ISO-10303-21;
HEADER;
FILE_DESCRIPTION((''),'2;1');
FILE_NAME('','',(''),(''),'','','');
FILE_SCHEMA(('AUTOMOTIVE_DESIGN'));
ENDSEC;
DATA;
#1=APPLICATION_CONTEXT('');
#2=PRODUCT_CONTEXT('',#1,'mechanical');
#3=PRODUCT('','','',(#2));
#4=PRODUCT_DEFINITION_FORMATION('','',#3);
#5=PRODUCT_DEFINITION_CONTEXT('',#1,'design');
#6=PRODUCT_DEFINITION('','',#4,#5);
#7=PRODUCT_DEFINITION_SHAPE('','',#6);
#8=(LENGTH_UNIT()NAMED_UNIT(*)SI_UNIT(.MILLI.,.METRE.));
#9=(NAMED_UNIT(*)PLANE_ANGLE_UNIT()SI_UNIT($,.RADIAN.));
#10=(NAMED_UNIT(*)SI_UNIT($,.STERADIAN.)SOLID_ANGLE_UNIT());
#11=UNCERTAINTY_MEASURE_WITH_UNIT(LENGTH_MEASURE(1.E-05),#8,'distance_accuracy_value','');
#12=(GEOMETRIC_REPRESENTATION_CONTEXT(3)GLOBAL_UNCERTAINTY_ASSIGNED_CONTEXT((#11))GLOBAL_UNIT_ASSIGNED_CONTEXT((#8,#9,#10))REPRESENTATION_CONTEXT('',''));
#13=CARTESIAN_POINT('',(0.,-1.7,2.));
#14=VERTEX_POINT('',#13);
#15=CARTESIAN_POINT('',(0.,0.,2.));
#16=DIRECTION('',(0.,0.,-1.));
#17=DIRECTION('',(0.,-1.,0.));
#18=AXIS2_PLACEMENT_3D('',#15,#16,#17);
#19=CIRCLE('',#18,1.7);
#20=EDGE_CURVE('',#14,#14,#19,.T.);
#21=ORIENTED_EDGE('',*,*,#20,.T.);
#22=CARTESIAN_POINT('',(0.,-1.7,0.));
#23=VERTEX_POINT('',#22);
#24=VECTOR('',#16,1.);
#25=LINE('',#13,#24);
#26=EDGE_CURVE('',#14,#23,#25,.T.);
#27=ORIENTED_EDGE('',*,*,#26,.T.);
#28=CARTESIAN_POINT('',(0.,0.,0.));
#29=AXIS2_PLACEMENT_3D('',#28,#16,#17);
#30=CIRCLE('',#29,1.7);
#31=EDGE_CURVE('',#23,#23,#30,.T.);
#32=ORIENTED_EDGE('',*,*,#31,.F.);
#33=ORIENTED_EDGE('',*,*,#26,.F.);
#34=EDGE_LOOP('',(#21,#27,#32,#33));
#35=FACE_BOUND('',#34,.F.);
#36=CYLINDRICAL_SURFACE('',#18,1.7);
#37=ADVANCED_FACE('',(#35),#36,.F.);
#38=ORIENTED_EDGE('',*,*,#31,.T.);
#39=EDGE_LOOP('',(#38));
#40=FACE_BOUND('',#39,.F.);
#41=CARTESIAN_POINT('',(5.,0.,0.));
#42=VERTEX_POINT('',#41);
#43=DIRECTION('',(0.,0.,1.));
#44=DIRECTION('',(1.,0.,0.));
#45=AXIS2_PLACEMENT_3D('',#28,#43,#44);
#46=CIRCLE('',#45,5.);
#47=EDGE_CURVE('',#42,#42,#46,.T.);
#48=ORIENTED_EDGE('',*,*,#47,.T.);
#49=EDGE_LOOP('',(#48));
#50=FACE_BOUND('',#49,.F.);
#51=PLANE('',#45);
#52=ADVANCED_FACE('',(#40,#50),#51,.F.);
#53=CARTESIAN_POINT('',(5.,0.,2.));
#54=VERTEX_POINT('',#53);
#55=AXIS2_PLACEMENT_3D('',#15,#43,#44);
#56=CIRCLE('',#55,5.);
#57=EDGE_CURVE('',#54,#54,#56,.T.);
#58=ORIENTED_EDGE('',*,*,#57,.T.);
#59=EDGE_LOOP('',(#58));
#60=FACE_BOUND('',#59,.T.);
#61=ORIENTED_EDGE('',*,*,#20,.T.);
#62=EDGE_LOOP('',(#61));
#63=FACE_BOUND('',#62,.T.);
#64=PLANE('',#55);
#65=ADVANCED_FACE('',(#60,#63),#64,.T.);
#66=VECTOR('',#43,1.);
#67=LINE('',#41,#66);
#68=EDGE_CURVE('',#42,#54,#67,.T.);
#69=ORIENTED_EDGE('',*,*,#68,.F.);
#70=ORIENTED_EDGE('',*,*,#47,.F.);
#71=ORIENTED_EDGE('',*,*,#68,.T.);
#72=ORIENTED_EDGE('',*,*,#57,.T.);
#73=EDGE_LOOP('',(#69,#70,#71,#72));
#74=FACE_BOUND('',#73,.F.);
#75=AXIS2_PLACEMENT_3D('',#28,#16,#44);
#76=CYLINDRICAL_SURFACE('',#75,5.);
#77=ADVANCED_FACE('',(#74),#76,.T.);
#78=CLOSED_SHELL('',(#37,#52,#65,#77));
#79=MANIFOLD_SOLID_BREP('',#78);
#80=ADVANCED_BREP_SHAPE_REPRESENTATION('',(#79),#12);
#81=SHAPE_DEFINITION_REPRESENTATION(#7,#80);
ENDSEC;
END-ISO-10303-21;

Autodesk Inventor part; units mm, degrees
ref_plane "YZ Plane" through (0, 0, 0) normal (1, 0, 0) x (0, 1, 0)
ref_plane "XZ Plane" through (0, 0, 0) normal (0, 1, 0) x (-1, 0, 0)
ref_plane "XY Plane" through (0, 0, 0) normal (0, 0, 1) x (1, 0, 0)
sketch "Sketch1" plane through (0, 0, 0) normal (0, 0, 1) x (1, 0, 0)
  circle A0 centre (0, 0) radius 5
  dimension "d0" = 10
extrude "Extrusion1" add sketch "Sketch1" along normal blind 2
sketch "Sketch2" plane through (0, 0, 2) normal (0, 0, 1) x (1, 0, 0)
  point P0 (0, 0)
  point P1 (0, 0)
hole "Hole1" at (0, 0, 2) direction (0, 0, -1) diameter 3.4 end through all clearance for "Flat Head Machine Screw" size "M3" standard "Ansi Metric M Profile"
properties part number "Selection_Washer" material "Aluminum 6061"
